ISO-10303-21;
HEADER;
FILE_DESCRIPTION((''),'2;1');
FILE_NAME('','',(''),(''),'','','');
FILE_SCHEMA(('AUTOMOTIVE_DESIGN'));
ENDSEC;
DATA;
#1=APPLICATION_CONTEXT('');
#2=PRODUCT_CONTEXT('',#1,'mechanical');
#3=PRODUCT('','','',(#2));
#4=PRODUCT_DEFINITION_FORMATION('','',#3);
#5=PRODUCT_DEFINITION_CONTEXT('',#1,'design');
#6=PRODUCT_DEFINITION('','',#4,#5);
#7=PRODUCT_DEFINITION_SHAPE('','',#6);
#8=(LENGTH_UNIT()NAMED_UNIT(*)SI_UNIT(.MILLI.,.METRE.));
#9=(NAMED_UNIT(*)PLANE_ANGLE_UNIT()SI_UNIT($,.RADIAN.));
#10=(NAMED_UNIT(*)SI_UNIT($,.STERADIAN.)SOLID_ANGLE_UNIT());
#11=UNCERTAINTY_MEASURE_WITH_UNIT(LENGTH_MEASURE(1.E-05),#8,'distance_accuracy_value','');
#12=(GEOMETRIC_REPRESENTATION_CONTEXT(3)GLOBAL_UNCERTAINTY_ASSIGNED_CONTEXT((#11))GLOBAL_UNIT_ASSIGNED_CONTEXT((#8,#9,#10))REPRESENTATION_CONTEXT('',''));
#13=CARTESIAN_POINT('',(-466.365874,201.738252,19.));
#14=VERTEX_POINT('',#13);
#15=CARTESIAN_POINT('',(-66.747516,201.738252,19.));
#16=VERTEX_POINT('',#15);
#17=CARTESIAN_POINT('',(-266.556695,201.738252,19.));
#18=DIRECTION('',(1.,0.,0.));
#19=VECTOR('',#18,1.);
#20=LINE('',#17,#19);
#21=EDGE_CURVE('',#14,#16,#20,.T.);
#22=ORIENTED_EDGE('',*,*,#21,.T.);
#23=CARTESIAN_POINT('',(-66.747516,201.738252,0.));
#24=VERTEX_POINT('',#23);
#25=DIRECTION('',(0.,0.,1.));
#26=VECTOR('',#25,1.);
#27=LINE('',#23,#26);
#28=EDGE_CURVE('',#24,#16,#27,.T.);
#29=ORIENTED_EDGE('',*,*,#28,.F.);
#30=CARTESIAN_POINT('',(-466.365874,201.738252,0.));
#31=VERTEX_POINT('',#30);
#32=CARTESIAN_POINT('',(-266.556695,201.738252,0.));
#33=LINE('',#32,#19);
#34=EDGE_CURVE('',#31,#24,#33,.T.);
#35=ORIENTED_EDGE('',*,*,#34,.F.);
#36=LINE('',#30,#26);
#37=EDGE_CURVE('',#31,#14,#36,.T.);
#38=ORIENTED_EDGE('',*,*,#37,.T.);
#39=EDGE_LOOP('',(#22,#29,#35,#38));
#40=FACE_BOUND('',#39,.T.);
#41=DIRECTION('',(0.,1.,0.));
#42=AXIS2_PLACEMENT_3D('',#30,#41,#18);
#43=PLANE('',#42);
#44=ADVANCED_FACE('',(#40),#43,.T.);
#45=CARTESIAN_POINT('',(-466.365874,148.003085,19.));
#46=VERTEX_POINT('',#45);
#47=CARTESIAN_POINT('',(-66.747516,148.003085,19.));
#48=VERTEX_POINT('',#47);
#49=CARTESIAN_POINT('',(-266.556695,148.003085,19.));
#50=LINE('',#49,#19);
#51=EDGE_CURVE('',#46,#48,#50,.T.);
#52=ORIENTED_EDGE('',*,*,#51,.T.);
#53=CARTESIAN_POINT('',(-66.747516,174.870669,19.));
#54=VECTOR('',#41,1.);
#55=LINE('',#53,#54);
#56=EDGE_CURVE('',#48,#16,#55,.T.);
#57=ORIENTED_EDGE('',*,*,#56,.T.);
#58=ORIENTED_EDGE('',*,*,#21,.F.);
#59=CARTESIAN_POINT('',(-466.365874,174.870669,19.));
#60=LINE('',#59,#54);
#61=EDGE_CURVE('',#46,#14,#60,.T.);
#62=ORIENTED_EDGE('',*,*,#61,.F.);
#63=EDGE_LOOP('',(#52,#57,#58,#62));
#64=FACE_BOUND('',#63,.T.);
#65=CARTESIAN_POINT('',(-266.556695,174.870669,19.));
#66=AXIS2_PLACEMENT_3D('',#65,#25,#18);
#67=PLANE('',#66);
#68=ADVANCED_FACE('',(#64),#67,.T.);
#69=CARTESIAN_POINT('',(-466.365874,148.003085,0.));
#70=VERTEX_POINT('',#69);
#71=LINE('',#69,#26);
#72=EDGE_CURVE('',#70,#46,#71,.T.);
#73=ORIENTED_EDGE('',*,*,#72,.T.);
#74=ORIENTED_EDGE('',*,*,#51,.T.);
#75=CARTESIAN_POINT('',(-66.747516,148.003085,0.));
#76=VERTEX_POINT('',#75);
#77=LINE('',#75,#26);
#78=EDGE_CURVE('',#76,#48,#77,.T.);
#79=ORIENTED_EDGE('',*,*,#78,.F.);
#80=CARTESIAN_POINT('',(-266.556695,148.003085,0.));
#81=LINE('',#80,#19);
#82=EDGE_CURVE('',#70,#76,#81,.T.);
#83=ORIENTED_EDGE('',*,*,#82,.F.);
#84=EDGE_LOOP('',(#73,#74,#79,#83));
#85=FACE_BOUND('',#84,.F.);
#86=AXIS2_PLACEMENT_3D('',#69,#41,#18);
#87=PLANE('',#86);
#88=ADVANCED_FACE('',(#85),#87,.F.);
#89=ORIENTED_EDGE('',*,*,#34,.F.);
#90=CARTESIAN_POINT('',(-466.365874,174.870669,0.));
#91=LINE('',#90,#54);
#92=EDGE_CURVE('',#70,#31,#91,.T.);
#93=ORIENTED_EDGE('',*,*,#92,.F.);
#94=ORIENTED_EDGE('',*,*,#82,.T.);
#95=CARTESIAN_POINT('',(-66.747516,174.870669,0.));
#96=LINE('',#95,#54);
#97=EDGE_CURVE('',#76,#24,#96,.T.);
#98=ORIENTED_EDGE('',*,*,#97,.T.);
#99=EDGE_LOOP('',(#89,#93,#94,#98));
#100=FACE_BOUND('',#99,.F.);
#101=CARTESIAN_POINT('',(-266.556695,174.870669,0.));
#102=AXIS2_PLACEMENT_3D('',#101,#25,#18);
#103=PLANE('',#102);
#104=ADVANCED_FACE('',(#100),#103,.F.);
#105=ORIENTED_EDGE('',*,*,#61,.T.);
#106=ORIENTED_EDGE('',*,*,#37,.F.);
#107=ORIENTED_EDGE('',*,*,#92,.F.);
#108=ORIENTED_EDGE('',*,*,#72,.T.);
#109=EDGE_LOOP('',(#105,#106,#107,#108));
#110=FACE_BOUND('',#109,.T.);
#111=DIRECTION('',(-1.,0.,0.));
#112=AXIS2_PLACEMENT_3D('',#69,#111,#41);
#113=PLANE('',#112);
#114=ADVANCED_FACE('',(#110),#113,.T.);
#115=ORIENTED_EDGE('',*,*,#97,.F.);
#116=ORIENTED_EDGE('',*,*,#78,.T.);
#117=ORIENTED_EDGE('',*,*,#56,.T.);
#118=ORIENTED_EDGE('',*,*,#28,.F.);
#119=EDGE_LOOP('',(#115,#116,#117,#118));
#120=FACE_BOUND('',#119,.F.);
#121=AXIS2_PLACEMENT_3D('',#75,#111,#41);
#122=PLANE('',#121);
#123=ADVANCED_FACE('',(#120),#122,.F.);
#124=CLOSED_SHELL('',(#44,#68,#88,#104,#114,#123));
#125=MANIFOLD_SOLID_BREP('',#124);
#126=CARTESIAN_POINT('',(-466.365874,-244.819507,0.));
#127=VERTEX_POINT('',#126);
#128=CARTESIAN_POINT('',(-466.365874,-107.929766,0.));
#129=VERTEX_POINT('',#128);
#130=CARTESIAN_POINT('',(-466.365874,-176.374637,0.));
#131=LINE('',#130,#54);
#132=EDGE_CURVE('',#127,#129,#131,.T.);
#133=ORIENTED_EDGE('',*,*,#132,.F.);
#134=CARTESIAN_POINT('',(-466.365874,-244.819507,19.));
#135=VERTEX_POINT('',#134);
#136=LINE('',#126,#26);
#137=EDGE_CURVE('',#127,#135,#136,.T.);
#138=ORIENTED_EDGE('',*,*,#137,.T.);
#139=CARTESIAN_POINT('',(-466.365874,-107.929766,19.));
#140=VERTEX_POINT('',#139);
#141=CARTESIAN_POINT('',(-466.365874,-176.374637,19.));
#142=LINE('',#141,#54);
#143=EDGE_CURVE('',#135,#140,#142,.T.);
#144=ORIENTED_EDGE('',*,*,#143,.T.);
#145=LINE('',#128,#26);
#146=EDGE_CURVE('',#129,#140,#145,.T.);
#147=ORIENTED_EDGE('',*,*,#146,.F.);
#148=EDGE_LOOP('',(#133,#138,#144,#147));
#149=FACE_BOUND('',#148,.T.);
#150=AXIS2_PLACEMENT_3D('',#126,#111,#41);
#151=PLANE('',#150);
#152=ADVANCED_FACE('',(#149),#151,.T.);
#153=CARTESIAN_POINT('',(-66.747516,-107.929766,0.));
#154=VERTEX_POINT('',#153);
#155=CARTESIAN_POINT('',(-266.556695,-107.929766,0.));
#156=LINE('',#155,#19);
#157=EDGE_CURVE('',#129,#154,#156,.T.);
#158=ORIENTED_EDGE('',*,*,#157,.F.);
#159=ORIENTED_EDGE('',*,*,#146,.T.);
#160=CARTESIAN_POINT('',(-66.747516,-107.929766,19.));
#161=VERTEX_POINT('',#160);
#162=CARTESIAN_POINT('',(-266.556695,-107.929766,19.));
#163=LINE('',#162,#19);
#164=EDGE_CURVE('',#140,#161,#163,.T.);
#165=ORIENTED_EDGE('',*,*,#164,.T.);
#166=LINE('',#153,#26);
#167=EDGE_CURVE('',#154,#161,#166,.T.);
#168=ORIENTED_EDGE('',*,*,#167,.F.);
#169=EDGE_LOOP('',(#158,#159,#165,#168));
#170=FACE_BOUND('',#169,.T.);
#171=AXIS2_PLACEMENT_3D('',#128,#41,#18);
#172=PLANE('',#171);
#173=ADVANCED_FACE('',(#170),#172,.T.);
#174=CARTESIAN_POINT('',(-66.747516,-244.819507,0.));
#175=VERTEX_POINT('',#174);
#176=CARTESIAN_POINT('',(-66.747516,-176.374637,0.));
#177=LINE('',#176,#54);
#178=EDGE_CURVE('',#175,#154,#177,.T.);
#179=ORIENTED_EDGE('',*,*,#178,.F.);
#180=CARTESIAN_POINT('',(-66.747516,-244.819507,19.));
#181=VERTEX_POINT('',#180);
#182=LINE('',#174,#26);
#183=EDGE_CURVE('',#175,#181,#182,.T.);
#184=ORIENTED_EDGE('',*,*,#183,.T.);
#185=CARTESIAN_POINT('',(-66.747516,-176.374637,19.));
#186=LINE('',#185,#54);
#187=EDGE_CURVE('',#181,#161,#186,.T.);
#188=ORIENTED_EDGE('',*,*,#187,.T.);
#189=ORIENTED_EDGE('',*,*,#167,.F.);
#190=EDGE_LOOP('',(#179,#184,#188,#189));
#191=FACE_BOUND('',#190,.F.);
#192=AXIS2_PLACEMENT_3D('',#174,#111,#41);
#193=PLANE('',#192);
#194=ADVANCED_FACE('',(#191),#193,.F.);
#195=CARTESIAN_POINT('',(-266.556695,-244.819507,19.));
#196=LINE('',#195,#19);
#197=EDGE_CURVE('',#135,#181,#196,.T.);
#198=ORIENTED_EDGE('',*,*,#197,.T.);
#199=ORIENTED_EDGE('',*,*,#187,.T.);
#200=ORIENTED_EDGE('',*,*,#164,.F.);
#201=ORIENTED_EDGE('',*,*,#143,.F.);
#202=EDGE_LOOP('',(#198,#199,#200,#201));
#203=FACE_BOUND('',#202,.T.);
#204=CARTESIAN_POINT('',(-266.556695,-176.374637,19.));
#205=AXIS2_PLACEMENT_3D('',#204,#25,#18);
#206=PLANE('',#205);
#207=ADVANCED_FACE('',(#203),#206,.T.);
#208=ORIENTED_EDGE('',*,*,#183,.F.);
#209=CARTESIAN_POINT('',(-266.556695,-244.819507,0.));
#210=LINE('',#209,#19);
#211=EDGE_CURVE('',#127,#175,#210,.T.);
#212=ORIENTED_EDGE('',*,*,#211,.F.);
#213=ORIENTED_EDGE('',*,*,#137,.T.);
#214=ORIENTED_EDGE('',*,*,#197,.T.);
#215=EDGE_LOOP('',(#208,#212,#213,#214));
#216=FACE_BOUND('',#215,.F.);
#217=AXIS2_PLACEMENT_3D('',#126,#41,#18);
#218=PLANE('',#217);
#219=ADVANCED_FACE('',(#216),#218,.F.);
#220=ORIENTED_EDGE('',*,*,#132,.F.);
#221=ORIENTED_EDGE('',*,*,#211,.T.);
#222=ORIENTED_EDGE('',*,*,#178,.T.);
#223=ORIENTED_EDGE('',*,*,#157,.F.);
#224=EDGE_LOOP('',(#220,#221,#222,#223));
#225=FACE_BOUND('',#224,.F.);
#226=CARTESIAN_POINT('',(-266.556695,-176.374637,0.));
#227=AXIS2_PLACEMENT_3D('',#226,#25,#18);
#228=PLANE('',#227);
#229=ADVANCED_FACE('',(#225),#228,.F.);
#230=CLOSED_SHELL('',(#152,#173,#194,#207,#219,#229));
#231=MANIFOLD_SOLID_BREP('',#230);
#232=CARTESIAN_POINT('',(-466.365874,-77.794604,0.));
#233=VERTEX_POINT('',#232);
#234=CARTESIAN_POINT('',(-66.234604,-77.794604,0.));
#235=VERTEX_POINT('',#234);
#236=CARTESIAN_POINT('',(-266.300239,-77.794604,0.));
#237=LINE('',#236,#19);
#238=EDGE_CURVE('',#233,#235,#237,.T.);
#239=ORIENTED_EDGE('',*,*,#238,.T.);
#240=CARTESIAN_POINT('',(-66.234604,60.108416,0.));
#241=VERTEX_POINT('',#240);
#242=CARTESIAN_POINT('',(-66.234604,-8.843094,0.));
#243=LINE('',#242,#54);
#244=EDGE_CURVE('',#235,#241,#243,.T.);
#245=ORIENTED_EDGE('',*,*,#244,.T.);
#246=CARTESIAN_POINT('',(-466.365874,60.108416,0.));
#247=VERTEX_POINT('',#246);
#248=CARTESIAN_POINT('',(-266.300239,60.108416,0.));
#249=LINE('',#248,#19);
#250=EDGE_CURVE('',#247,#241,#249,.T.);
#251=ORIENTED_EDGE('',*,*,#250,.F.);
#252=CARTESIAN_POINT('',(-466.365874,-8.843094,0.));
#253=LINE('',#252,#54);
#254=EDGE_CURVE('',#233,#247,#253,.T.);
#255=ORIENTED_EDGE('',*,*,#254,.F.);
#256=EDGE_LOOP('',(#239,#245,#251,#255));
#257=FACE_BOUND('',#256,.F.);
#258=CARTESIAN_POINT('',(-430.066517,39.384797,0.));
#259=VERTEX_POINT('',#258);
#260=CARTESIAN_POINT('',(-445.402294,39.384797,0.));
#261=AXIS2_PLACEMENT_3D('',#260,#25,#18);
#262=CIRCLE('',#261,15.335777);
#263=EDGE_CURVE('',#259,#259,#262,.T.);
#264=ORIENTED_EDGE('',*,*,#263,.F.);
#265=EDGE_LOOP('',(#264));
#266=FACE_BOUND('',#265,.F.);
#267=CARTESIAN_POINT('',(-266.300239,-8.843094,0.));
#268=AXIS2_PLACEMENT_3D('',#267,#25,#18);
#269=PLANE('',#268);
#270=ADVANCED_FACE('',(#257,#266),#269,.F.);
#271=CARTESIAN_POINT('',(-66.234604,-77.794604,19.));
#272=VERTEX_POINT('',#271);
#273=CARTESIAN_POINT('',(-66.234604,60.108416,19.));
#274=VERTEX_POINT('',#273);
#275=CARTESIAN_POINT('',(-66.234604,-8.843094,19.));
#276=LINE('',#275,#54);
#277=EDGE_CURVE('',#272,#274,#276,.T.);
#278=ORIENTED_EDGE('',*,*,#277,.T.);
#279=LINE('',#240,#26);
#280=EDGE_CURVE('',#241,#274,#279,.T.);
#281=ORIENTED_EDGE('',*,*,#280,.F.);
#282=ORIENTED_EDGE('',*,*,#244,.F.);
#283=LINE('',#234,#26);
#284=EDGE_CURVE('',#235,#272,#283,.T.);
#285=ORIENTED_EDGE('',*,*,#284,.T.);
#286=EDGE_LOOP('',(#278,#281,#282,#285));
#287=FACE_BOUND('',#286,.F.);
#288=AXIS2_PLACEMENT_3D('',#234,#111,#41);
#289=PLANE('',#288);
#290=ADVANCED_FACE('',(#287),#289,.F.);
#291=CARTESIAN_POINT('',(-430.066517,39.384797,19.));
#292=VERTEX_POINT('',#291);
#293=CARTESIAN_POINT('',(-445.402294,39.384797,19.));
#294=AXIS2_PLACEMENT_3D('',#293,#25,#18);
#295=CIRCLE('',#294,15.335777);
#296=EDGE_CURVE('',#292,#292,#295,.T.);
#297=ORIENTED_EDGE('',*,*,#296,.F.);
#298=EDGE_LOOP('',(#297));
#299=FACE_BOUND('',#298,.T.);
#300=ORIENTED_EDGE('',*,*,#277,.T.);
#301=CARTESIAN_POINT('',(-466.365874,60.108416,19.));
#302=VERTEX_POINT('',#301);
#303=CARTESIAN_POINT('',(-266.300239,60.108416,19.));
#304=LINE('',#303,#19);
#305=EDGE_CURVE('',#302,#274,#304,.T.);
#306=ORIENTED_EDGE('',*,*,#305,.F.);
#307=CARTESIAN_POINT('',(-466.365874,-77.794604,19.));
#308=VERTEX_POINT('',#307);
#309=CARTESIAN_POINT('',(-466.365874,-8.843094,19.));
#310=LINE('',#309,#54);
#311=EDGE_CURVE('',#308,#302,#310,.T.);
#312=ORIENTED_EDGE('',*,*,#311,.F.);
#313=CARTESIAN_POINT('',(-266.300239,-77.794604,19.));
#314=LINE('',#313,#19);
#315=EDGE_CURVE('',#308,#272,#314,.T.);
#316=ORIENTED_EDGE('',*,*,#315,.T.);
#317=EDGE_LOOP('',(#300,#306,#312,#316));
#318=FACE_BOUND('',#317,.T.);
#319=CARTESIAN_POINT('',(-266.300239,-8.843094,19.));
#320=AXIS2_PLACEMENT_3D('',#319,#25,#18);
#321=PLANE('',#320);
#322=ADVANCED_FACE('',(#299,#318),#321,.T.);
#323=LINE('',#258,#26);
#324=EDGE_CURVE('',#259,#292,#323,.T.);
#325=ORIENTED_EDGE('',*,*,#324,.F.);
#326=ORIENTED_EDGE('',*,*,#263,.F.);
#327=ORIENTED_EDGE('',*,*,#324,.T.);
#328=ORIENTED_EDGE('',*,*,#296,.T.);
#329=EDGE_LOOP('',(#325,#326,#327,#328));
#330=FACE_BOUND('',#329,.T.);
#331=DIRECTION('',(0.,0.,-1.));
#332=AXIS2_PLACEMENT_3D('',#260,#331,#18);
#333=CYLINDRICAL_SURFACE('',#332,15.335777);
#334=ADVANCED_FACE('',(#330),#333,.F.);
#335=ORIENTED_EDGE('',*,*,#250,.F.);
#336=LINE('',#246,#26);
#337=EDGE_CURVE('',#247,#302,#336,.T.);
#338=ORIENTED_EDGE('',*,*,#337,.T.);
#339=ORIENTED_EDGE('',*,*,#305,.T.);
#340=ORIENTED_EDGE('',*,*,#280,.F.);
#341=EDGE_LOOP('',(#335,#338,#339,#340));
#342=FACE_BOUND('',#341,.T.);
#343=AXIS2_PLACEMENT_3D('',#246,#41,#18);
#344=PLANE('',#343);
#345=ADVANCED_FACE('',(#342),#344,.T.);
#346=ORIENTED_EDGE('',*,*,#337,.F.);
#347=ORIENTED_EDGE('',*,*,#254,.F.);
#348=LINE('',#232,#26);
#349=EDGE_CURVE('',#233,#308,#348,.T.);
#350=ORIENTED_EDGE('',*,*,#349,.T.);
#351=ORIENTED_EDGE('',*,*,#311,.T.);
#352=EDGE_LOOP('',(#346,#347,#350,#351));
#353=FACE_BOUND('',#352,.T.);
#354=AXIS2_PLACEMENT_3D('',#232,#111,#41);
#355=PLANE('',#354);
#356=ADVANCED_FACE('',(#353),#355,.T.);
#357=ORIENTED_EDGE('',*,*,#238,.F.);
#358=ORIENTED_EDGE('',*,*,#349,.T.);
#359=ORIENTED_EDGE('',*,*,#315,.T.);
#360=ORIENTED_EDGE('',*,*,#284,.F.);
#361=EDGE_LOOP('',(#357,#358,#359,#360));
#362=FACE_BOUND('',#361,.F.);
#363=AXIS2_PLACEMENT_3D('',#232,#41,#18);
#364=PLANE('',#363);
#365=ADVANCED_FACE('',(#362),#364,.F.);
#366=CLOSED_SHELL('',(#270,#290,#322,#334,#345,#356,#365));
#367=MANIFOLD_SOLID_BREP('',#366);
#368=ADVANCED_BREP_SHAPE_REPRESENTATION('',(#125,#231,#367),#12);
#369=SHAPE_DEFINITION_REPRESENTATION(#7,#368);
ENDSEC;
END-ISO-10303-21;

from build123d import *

# Parameters (mm, degrees)
F0_W     = 399.618358
F0_H     = 136.889741
F0_H_2   = 53.735167
F0_W_2   = 400.13127
F0_H_3   = 137.90302
F0_R     = 15.335777
F0_R_2   = 10.233177
F1_DEPTH = 19


with BuildPart() as f1:
    # F0 (on Top) → F1 (new body)
    with BuildSketch(Plane.XY):
        with Locations((-266.556695, -176.374637)):
            Rectangle(F0_W, F0_H)
        with Locations((-266.556695, 174.870669)):
            Rectangle(F0_W, F0_H_2)
        with Locations((-266.300239, -8.843094)):
            Rectangle(F0_W_2, F0_H_3)
        with BuildLine():
            ThreePointArc((-336.545243, -28.746858), (-350.150513, -34.382346), (-344.515026, -20.777075))
            ThreePointArc((-344.515026, -20.777075), (-338.879538, -23.111371), (-336.545243, -28.746858))
        make_face(mode=Mode.SUBTRACT)
        with Locations((-445.402294, 39.384797)):
            Circle(F0_R, mode=Mode.SUBTRACT)
        Polygon((-354.99683, 0), (-344.515026, 32.833677), (-336.65368, 0), (-344.515026, -9.322512), align=None, mode=Mode.SUBTRACT)
        Polygon((-297.34695, 0), (-284.244716, 32.833677), (-272.251386, 0), (-246.248215, -14.33439), (-272.251386, -23.586301), (-284.244716, -53.641111), (-297.34695, -24.791258), (-323.551446, -14.33439), align=None, mode=Mode.SUBTRACT)
        with BuildLine():
            ThreePointArc((-336.545243, -28.746858), (-338.879538, -23.111371), (-344.515026, -20.777075))
            ThreePointArc((-344.515026, -20.777075), (-350.150513, -34.382346), (-336.545243, -28.746858))
        make_face()
        Polygon((-344.515026, 6.629196), (-354.99683, 0), (-344.515026, -9.322512), (-336.65368, 0), align=None)
        Polygon((-336.65368, 0), (-344.515026, 32.833677), (-354.99683, 0), (-344.515026, 6.629196), align=None)
        Polygon((-272.251386, 0), (-284.244716, 32.833677), (-297.34695, 0), (-323.551446, -14.33439), (-297.34695, -24.791258), (-284.244716, -53.641111), (-272.251386, -23.586301), (-246.248215, -14.33439), align=None)
        with Locations((-284.244716, -10.403717)):
            Circle(F0_R_2, mode=Mode.SUBTRACT)
        with Locations((-284.244716, -10.403717)):
            Circle(F0_R_2)
    extrude(amount=F1_DEPTH)


solid = f1.part
